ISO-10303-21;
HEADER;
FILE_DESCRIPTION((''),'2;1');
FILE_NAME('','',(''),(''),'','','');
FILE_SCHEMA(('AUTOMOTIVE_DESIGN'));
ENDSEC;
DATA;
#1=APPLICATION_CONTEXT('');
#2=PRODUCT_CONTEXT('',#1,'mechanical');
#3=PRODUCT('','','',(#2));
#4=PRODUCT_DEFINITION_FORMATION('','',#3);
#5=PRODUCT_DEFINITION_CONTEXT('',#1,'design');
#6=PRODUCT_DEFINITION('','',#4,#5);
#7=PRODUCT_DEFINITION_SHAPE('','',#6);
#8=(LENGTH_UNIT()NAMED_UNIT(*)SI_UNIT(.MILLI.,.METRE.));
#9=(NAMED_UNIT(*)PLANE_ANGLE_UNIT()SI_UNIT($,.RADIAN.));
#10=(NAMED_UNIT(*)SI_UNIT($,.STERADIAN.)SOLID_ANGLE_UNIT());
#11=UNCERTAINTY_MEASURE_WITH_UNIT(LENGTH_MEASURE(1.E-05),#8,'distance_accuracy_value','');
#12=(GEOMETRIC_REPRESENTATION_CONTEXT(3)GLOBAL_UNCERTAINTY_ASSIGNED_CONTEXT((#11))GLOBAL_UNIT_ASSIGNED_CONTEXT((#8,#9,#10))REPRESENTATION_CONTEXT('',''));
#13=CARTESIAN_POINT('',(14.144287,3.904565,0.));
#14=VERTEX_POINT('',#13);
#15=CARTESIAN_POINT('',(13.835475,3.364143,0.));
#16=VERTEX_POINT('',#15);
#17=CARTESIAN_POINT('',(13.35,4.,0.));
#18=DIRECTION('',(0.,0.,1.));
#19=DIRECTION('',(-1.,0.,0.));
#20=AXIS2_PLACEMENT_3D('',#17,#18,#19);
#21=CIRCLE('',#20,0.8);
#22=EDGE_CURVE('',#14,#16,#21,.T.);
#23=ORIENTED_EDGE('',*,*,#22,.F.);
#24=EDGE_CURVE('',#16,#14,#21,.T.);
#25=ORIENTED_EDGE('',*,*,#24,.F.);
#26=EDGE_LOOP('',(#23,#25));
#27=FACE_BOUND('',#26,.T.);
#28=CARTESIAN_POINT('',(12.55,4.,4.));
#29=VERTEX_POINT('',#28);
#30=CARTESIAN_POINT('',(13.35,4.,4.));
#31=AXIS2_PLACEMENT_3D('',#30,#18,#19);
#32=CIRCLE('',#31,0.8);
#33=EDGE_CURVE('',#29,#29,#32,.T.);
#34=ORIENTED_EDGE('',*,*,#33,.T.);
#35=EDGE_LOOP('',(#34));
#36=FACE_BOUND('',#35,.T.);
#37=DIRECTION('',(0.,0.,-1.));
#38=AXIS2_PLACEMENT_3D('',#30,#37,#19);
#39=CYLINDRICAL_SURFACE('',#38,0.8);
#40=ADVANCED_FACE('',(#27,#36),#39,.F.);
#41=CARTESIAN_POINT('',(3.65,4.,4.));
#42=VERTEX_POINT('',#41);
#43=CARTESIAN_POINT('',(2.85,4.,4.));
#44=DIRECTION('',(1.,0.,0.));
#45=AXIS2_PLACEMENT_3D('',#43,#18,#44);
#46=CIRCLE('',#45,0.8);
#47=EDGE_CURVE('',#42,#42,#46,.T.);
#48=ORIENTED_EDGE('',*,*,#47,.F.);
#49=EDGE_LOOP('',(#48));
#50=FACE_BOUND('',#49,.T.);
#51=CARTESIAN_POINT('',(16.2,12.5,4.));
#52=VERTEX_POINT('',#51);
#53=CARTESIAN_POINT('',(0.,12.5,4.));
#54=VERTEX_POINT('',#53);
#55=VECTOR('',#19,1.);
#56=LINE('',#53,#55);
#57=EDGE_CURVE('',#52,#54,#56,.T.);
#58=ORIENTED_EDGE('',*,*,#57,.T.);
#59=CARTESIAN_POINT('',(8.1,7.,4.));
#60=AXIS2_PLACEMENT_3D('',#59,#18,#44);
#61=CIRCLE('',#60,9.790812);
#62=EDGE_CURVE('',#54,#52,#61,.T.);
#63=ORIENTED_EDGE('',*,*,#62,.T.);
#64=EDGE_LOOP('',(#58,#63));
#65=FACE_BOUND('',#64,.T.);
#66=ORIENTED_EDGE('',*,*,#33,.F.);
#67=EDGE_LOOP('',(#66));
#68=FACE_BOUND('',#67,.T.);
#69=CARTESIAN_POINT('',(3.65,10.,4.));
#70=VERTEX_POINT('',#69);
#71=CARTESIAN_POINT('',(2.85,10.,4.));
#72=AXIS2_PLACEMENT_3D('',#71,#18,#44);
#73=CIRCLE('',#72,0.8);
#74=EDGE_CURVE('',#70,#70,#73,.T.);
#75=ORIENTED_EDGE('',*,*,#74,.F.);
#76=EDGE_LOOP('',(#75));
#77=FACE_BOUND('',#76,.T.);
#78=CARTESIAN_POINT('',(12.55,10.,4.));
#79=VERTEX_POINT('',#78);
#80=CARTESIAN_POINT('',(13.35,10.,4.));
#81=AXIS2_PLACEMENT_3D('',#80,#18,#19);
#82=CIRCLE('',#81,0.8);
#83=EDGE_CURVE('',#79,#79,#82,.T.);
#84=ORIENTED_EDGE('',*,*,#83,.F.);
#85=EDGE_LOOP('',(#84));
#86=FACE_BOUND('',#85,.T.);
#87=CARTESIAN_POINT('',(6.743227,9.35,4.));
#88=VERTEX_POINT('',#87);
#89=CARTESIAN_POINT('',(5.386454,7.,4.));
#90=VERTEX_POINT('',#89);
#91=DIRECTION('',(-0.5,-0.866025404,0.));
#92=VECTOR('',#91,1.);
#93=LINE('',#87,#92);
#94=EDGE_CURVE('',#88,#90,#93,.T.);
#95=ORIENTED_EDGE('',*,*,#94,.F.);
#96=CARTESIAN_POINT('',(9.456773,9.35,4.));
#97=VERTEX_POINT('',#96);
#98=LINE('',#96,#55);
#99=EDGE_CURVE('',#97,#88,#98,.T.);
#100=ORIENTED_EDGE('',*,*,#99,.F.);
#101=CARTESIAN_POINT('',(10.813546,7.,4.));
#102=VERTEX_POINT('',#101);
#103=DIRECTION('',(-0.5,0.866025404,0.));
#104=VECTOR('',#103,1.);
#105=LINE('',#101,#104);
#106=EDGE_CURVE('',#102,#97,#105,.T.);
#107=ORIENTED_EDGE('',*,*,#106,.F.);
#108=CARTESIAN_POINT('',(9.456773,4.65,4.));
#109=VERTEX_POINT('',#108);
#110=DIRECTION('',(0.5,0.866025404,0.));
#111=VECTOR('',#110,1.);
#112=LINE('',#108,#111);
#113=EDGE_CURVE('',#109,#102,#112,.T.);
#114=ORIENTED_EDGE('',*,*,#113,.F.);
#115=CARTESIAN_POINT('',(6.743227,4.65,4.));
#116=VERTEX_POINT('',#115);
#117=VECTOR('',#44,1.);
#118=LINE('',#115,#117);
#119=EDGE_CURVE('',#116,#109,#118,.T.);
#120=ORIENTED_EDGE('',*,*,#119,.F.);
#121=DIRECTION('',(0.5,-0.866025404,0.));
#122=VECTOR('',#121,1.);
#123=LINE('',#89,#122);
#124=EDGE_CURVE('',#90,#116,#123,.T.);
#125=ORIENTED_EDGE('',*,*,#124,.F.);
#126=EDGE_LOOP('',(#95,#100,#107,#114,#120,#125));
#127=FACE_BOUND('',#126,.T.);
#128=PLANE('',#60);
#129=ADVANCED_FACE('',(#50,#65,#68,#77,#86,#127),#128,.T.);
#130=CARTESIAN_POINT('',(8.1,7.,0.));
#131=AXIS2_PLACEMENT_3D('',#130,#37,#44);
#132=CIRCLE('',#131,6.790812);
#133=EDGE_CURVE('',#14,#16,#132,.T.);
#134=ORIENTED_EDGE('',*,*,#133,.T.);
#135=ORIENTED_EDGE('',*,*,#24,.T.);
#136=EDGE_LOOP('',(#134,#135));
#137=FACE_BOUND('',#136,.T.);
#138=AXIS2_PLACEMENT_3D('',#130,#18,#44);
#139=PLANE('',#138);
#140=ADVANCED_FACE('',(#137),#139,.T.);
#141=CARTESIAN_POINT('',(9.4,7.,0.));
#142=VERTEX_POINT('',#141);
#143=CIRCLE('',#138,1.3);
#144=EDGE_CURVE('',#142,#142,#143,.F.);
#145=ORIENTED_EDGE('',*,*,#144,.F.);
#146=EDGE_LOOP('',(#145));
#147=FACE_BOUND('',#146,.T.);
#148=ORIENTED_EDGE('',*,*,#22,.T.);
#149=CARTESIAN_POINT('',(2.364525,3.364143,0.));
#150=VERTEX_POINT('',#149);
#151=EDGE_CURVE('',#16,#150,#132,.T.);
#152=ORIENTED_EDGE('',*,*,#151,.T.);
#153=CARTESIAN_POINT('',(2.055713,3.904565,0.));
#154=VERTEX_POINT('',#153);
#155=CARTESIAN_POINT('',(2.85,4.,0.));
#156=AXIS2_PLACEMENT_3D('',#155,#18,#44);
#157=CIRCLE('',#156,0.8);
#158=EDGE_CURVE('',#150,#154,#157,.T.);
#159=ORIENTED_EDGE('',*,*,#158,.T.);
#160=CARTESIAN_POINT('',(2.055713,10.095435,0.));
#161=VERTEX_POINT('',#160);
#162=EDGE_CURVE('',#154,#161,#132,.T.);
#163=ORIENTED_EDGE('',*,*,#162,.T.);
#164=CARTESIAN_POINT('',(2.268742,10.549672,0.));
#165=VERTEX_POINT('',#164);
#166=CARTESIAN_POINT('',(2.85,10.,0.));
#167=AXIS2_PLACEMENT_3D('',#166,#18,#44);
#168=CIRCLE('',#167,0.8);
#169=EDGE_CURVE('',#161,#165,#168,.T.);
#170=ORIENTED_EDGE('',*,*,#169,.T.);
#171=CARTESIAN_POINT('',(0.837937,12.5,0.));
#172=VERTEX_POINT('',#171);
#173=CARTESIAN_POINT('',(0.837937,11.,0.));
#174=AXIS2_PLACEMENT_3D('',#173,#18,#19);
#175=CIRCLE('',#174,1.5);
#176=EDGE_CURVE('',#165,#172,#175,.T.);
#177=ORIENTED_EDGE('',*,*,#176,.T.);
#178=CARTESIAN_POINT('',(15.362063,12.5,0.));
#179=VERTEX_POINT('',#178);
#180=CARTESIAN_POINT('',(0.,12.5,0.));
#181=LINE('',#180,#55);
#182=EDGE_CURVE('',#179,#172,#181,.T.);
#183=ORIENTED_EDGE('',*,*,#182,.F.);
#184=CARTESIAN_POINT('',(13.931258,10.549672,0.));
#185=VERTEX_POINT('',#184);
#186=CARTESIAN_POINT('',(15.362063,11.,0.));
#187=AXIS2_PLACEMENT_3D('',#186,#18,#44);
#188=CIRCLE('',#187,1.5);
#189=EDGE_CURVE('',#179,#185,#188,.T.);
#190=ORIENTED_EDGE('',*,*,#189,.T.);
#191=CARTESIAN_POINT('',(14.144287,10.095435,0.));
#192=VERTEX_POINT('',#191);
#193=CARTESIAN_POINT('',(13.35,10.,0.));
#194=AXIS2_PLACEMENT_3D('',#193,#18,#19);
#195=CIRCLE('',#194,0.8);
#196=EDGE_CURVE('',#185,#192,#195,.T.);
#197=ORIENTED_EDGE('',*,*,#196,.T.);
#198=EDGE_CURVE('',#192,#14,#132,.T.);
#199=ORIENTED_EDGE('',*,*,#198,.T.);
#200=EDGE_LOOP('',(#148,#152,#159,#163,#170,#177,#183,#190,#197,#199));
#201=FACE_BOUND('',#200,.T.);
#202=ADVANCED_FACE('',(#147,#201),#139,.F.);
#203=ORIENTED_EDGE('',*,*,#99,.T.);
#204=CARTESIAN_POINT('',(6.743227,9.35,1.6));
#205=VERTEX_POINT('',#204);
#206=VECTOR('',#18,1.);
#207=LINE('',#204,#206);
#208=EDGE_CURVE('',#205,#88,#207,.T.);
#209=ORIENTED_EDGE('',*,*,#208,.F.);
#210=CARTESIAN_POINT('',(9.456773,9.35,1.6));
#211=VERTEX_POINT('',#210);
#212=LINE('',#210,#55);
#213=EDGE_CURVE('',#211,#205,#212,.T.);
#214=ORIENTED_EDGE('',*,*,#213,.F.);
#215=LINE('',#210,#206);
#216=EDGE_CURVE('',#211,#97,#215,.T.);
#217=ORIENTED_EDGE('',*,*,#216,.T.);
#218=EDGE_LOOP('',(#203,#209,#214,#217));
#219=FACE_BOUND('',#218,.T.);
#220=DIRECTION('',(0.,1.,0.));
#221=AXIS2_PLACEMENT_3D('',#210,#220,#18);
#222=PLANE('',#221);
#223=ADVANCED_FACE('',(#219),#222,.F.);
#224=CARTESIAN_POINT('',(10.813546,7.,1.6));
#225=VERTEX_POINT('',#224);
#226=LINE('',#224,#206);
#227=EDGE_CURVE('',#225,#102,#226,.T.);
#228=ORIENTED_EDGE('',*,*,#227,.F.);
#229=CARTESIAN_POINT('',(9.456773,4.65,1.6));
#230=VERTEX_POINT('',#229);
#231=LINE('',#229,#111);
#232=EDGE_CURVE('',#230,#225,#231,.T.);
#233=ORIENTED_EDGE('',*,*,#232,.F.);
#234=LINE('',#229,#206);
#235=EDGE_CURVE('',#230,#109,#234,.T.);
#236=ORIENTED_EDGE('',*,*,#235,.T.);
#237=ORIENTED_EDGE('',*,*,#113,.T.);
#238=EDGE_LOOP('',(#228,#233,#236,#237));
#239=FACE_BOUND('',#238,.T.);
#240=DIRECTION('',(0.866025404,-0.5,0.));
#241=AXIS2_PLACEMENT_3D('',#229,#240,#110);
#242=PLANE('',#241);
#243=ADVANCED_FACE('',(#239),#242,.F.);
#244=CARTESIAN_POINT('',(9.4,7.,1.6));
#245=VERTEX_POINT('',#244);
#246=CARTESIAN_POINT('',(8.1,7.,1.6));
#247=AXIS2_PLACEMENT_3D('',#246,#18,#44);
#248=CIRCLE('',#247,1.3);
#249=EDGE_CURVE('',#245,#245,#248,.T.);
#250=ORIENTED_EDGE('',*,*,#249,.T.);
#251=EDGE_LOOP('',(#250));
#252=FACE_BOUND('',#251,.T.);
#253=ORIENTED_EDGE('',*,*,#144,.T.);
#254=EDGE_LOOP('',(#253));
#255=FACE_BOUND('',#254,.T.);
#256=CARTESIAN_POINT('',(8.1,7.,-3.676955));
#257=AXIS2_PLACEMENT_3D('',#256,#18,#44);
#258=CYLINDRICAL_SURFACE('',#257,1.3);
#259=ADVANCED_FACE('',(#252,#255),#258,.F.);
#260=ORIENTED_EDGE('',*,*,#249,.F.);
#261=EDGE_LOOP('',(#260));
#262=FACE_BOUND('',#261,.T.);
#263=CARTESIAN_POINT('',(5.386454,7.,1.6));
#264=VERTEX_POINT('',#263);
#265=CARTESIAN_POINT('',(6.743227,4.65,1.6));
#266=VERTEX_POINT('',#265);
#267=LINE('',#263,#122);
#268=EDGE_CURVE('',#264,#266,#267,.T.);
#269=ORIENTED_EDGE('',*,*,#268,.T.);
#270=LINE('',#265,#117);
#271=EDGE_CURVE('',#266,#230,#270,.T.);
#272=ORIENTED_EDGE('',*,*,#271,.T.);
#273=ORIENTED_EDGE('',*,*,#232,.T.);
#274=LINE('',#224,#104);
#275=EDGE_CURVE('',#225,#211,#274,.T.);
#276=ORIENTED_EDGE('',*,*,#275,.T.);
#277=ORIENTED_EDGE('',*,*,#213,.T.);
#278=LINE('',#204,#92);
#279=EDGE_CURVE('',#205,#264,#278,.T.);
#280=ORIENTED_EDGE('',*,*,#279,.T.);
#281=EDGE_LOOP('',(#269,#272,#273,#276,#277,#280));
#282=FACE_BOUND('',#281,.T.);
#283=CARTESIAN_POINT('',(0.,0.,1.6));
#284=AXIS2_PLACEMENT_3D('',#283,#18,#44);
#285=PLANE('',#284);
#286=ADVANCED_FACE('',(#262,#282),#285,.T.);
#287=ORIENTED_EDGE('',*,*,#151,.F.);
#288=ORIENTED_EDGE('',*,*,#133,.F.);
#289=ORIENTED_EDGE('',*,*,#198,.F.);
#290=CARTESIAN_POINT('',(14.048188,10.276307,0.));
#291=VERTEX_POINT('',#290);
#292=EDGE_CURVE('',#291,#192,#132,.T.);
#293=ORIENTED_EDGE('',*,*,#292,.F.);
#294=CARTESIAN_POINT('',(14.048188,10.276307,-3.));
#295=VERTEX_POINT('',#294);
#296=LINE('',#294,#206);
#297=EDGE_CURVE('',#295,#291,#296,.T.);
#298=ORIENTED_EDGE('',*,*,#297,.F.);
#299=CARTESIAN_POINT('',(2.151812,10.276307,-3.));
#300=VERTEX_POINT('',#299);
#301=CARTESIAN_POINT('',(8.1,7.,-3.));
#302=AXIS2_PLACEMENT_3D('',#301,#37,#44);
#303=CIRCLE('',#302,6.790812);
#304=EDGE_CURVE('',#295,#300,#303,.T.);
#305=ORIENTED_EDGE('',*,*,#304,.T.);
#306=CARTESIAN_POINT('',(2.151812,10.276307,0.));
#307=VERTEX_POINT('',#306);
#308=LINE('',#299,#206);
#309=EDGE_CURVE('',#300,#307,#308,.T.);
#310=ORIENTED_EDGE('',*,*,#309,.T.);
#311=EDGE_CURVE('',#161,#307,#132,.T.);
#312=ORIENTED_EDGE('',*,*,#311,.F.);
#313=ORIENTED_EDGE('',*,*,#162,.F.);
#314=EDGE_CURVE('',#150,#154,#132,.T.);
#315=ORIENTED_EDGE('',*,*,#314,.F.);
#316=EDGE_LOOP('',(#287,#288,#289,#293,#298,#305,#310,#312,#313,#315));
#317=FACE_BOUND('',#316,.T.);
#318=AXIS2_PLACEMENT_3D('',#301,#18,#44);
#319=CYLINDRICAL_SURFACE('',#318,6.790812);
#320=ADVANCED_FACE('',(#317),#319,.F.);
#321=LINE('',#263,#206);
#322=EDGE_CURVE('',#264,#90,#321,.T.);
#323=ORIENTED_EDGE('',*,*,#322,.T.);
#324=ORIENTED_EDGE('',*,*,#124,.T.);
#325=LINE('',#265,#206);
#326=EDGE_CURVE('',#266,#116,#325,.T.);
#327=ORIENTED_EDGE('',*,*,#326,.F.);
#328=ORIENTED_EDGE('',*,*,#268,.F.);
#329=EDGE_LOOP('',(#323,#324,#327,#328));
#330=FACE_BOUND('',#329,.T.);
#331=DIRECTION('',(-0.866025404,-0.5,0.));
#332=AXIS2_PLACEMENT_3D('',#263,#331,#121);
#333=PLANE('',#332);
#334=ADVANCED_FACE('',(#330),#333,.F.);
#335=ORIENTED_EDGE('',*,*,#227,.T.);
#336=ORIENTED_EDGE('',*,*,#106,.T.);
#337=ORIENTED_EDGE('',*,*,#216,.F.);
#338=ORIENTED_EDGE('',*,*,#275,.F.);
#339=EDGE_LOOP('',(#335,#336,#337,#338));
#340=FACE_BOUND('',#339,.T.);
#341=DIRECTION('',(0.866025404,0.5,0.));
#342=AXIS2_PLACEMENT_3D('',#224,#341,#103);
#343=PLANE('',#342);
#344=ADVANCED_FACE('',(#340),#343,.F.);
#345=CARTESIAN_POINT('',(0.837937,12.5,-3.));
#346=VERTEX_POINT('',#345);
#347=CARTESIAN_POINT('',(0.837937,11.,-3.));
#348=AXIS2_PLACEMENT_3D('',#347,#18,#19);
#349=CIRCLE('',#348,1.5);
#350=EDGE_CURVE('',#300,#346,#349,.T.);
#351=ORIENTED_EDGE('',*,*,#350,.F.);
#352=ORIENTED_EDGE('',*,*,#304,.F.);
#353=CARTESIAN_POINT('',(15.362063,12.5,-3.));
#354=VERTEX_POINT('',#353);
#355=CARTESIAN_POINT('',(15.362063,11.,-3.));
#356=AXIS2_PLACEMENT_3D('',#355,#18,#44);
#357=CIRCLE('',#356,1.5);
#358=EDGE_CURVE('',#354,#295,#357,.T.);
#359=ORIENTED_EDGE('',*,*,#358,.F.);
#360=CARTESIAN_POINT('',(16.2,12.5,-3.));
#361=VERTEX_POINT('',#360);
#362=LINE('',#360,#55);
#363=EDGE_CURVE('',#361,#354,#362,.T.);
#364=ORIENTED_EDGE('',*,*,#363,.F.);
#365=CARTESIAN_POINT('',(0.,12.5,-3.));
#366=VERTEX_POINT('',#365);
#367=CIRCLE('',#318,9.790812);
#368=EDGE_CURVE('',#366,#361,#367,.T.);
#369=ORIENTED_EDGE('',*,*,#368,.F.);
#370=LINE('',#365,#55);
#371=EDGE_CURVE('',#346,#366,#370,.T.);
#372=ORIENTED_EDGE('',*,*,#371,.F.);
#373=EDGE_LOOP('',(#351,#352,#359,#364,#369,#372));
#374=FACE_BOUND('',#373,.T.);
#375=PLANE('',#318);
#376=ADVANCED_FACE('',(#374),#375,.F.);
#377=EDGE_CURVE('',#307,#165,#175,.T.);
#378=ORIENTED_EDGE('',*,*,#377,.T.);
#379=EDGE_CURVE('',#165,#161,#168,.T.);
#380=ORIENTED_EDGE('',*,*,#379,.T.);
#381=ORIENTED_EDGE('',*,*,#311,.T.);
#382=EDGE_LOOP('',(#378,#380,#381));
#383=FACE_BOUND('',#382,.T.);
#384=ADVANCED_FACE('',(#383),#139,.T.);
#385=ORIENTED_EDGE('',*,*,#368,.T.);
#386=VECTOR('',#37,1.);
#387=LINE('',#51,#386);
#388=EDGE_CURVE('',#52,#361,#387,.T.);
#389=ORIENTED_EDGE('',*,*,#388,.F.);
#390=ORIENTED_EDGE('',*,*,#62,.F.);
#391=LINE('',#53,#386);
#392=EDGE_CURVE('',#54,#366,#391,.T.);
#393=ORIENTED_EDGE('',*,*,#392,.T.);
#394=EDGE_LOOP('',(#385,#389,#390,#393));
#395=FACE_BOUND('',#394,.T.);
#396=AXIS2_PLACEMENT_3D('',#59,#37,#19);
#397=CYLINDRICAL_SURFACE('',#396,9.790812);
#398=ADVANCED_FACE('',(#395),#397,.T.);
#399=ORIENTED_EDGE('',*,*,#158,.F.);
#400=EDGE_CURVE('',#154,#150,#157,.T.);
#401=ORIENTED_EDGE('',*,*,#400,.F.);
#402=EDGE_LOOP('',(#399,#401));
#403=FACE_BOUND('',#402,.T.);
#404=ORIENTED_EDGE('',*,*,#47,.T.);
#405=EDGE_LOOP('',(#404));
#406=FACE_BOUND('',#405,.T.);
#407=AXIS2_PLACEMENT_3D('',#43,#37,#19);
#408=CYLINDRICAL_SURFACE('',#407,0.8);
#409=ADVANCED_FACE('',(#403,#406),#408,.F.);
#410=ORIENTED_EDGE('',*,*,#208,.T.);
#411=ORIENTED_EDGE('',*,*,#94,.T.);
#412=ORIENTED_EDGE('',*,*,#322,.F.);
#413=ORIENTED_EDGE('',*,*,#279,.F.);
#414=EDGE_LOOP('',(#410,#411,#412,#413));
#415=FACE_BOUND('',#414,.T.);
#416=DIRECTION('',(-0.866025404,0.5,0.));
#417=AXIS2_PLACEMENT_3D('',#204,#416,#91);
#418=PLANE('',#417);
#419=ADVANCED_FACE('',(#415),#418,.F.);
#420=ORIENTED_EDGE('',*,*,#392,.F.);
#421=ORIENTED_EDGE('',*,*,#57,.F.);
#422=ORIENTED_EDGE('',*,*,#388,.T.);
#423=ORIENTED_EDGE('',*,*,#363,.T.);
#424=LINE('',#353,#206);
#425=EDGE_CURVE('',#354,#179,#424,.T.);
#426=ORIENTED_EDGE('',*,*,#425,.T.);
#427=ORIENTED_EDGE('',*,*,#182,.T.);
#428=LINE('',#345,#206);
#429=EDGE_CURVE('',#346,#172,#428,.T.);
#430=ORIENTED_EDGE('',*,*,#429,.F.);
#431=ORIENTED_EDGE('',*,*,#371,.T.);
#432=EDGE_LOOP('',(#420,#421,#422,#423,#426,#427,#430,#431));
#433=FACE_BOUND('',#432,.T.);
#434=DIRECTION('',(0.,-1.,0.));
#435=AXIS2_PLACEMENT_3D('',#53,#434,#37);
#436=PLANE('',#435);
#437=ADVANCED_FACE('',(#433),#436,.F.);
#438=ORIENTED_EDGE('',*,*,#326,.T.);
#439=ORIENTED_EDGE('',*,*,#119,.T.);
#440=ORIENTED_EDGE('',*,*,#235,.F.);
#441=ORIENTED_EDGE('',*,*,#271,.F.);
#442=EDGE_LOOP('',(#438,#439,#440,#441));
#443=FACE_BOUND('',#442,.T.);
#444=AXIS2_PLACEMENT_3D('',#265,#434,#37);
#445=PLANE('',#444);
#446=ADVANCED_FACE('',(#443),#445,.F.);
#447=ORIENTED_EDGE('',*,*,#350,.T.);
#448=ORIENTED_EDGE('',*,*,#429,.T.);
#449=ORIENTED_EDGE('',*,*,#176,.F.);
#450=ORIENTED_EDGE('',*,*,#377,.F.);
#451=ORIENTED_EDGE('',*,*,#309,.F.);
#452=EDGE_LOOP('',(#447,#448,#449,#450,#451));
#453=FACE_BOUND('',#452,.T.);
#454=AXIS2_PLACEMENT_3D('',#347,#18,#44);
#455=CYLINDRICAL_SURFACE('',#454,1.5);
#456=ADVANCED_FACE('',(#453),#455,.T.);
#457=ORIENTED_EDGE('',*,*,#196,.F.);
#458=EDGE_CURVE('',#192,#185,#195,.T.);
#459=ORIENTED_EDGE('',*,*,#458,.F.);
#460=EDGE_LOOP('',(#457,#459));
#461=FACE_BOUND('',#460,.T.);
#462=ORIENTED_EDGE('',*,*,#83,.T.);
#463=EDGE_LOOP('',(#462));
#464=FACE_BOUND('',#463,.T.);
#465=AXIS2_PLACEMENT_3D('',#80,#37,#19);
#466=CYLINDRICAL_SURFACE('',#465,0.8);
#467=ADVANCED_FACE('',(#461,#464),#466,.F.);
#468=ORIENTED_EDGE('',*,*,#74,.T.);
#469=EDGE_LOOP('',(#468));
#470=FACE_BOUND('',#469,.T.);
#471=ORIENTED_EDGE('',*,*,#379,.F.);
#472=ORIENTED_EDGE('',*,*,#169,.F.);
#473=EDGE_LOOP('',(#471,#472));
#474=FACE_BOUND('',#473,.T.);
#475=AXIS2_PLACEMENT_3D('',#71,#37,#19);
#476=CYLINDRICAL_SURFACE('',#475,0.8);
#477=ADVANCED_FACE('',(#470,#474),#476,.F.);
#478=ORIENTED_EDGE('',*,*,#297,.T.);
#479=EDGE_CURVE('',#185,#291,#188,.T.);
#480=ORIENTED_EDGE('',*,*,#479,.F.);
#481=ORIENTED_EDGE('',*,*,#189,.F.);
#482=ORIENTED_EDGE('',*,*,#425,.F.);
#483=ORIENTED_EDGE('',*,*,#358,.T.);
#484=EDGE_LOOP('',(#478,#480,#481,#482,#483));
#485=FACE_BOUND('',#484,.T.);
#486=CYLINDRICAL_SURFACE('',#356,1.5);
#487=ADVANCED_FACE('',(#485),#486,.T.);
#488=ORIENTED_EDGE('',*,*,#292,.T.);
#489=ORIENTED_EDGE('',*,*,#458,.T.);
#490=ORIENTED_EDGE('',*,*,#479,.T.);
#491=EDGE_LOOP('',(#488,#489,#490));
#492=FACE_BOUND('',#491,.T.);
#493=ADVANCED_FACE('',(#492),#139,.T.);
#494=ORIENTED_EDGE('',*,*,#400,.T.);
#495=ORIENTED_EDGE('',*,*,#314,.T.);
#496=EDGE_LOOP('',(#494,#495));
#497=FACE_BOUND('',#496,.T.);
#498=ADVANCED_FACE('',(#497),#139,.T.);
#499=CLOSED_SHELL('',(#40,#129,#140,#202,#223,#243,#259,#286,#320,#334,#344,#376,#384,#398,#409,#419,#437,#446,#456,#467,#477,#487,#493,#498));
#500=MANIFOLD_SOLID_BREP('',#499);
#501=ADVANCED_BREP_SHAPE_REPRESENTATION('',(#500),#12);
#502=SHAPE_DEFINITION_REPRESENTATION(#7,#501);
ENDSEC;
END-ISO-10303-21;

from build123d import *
from build123d.topology import SkipClean

# Parameters (mm, degrees)
SKETCH1_R           = 0.8
BOSS_EXTRUDE1_DEPTH = 4
CUT_EXTRUDE1_DEPTH  = 2.4
SKETCH3_R           = 1.3
CUT_EXTRUDE2_DEPTH  = 4
BOSS_EXTRUDE2_DEPTH = 3


with BuildPart() as part:
    # Sketch1 → Boss-Extrude1 (new body)
    with BuildSketch(Plane.XY):
        with BuildLine():
            Line((0, 12.5), (16.2, 12.5))
            ThreePointArc((16.2, 12.5), (8.1, -2.790812019), (0, 12.5))
        make_face()
        with Locations((2.85, 10)):
            Circle(SKETCH1_R, mode=Mode.SUBTRACT)
        with Locations(Location((13.35, 10, 0), (0, 0, 180))):
            Circle(SKETCH1_R, mode=Mode.SUBTRACT)
        with Locations(Location((13.35, 4, 0), (0, 0, 180))):
            Circle(SKETCH1_R, mode=Mode.SUBTRACT)
        with Locations((2.85, 4)):
            Circle(SKETCH1_R, mode=Mode.SUBTRACT)
    extrude(amount=BOSS_EXTRUDE1_DEPTH)

    # Sketch2 → Cut-Extrude1 (cut)
    with BuildSketch(Plane.XY.offset(4)):
        Polygon((10.813546265, 7), (9.456773133, 9.35), (6.743226867, 9.35), (5.386453735, 7), (6.743226867, 4.65), (9.456773133, 4.65), align=None)
    extrude(amount=-CUT_EXTRUDE1_DEPTH, mode=Mode.SUBTRACT)

    # Sketch3 → Cut-Extrude2 (cut)
    with BuildSketch(Plane.XY.offset(4)):
        with Locations((8.1, 7)):
            Circle(SKETCH3_R)
    extrude(amount=-CUT_EXTRUDE2_DEPTH, mode=Mode.SUBTRACT)

    # Sketch4 → Boss-Extrude2 (add)
    with SkipClean():  # the faces are left unmerged after this step: merging them gives an invalid solid
        with BuildSketch(Plane.XY):
            with BuildLine():
                Line((16.2, 12.5), (15.362063339, 12.5))
                ThreePointArc((15.362063339, 12.5), (14.070641831, 11.763040292), (14.048187812, 10.276307316))
                ThreePointArc((14.048187812, 10.276307316), (8.1, 0.209187981), (2.151812188, 10.276307316))
                ThreePointArc((2.151812188, 10.276307316), (2.129358169, 11.763040292), (0.837936661, 12.5))
                Line((0.837936661, 12.5), (0, 12.5))
                ThreePointArc((0, 12.5), (8.1, -2.790812019), (16.2, 12.5))
            make_face()
        extrude(amount=-BOSS_EXTRUDE2_DEPTH)


solid = part.part
